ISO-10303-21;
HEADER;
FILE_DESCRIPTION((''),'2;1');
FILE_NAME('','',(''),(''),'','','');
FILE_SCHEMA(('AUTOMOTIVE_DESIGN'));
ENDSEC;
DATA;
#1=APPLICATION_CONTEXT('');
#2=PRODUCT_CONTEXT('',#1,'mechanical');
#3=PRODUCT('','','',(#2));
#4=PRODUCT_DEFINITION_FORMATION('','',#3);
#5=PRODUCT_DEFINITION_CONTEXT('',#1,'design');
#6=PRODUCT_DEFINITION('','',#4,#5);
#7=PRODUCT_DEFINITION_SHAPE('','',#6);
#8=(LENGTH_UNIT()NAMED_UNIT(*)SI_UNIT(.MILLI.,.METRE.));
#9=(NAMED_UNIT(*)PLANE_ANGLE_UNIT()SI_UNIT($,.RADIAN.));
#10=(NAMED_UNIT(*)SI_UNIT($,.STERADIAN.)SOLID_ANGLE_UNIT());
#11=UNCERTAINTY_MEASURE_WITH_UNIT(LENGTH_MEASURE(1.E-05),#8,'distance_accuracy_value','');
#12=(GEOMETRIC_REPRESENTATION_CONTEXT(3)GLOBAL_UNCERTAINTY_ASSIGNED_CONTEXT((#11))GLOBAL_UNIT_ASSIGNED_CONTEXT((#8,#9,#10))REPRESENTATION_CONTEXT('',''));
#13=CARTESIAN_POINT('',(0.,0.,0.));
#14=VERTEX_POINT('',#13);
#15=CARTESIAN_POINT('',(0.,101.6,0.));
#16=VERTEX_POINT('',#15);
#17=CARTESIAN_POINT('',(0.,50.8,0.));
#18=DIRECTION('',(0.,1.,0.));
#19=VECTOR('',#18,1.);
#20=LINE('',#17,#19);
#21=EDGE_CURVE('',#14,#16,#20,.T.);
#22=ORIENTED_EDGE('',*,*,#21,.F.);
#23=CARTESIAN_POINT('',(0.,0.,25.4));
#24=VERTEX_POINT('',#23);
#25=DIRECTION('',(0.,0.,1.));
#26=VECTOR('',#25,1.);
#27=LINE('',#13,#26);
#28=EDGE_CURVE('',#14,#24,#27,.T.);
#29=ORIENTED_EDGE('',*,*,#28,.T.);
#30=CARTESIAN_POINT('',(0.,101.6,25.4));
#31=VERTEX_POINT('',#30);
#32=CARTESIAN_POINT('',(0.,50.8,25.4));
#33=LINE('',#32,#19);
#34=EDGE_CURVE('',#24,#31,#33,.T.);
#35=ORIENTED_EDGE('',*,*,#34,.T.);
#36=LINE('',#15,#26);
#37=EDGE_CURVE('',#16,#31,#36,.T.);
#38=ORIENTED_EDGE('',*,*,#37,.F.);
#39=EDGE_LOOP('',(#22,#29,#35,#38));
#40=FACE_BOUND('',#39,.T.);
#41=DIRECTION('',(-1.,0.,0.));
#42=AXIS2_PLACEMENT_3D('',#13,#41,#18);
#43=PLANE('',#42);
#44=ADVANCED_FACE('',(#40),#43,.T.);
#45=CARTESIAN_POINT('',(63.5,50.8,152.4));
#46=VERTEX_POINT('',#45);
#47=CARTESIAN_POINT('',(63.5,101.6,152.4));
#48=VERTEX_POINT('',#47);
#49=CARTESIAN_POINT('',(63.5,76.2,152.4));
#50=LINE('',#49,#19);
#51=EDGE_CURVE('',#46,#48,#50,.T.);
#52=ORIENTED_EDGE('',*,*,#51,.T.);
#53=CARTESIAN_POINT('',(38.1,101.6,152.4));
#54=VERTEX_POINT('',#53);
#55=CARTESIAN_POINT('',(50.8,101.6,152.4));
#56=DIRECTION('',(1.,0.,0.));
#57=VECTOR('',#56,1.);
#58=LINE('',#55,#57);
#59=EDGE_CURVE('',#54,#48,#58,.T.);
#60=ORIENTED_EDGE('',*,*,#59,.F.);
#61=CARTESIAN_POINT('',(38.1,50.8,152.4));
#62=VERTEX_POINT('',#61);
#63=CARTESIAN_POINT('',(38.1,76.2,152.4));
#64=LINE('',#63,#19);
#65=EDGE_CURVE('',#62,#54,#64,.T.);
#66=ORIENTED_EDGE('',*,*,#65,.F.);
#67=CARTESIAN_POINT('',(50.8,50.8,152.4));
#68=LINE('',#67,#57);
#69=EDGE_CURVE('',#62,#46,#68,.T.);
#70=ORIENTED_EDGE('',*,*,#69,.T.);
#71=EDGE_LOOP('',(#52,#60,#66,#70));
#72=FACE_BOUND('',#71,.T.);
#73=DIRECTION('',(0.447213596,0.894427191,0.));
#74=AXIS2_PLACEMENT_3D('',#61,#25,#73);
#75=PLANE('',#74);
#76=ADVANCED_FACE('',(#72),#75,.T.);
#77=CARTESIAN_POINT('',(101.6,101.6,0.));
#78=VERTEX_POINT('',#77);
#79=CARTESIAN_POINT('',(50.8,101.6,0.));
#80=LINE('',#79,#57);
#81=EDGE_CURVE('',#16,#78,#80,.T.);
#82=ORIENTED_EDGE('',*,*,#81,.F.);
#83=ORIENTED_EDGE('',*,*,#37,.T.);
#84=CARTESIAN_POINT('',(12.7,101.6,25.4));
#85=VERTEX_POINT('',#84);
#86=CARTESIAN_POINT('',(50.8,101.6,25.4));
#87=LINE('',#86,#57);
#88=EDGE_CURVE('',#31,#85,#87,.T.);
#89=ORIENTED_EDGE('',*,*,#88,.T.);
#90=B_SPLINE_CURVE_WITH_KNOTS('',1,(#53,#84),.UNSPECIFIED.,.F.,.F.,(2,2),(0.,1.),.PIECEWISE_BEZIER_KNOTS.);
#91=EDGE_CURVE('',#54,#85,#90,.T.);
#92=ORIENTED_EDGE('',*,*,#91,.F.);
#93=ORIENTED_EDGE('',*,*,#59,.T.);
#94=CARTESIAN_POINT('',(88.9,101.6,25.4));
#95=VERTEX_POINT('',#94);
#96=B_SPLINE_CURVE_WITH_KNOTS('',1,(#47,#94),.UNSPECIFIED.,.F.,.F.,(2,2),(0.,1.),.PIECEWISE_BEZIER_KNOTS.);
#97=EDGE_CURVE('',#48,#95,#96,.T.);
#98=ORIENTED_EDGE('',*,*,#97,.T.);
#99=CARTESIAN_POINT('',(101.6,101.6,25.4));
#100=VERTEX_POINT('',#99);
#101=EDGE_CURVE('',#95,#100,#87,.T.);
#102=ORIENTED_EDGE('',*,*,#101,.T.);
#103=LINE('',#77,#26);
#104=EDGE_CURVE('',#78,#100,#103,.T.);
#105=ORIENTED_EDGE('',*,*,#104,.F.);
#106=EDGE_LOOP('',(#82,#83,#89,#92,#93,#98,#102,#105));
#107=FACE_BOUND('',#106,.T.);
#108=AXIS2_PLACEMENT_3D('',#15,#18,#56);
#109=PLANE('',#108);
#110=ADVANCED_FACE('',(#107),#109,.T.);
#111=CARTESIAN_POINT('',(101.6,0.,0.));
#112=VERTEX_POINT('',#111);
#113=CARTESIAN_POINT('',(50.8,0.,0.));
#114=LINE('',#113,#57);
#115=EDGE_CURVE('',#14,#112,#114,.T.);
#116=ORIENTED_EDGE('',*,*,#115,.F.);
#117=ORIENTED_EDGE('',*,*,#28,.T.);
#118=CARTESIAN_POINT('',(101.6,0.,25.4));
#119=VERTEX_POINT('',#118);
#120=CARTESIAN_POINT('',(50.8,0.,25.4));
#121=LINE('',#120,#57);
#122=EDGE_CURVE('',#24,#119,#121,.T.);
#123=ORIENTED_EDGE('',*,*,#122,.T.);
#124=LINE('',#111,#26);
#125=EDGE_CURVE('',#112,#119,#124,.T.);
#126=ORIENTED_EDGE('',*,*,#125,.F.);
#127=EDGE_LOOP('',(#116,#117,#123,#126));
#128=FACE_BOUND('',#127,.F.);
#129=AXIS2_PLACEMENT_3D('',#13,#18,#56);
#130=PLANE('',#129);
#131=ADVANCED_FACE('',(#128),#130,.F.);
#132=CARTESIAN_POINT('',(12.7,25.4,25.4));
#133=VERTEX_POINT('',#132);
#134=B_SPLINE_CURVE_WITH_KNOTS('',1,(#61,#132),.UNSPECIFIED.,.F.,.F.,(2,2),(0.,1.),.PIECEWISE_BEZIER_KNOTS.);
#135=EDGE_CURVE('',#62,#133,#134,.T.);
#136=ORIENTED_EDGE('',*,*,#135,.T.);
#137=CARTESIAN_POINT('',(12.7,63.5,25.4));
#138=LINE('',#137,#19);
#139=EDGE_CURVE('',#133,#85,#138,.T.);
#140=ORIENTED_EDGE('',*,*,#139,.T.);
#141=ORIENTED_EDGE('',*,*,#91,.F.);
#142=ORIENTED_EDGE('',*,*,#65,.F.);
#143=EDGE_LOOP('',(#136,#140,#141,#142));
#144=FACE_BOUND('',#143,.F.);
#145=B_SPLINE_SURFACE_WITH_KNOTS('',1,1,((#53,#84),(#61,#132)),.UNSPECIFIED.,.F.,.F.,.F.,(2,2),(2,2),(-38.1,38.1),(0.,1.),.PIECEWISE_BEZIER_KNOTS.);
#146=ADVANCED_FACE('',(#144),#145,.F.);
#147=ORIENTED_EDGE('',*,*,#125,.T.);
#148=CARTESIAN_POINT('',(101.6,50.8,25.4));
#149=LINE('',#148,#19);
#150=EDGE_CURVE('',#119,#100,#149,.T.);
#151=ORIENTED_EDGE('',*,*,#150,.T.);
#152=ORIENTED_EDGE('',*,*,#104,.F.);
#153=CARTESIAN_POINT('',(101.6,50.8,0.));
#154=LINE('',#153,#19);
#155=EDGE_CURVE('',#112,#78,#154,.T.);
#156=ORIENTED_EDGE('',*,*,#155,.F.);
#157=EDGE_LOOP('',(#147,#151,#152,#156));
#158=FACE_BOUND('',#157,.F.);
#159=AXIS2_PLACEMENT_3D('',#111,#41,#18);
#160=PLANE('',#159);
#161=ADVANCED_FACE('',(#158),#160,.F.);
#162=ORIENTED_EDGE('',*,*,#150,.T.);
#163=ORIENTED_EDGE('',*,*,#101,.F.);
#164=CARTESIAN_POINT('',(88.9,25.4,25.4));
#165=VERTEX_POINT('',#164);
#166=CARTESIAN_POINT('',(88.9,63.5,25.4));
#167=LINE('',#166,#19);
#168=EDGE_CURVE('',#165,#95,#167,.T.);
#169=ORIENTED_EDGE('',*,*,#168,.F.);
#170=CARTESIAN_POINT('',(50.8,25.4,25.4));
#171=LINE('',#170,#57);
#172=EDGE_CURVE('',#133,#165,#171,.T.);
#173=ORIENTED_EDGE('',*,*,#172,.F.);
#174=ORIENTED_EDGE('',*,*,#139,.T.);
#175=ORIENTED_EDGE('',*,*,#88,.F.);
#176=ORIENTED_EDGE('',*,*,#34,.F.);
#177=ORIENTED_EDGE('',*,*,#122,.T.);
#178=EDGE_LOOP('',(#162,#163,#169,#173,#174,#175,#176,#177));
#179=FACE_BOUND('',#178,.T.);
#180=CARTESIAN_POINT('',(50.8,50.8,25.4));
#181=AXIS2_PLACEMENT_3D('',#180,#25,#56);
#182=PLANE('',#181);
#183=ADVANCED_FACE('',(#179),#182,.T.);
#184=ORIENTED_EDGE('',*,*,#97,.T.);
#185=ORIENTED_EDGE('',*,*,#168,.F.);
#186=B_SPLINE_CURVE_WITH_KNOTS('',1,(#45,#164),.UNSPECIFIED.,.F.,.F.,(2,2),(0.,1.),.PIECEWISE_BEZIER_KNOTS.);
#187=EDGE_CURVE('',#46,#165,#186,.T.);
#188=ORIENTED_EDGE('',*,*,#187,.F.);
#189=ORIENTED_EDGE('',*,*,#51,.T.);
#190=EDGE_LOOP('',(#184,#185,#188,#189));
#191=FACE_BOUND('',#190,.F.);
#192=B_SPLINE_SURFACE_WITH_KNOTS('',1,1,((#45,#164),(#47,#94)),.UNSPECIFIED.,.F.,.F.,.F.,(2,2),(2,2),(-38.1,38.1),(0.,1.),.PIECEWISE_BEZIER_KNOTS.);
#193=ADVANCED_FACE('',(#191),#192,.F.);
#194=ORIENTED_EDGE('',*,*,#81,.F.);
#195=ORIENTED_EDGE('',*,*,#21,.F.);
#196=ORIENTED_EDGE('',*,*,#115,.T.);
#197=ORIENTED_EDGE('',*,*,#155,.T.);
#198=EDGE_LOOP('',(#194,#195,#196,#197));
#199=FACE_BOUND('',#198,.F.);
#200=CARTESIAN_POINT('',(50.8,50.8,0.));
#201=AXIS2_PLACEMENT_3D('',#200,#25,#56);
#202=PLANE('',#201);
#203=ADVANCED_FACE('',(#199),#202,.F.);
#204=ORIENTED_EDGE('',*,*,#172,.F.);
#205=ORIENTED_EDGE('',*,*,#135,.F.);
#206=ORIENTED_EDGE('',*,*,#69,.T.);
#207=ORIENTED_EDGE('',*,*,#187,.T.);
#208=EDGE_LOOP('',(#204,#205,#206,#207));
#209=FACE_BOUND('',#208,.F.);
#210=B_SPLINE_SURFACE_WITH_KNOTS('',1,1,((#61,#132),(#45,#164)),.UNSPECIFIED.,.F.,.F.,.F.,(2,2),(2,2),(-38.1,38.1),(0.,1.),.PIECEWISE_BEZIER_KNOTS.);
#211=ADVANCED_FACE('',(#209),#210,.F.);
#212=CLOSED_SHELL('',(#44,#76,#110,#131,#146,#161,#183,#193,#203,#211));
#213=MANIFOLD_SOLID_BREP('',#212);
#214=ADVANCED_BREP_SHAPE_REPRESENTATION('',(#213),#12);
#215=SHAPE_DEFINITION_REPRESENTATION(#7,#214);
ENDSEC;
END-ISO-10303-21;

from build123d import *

# Parameters (mm, degrees)
F0_W     = 101.6
F0_H     = 101.6
F1_DEPTH = 25.4
F4_W     = 25.4
F4_H     = 50.8
F2_W     = 76.2
F2_H     = 76.2


with BuildPart() as f1:
    # F0 (on Top) → F1 (new body)
    with BuildSketch(Plane.XY):
        with Locations((50.8, 50.8)):
            Rectangle(F0_W, F0_H)
    extrude(amount=F1_DEPTH)

    # F4 (on offset) → F5 section 0
    with BuildSketch(Plane.XY.offset(152.4)):
        with Locations((50.8, 76.2)):
            Rectangle(F4_W, F4_H)
    # F2 (on face) → F5 section 1
    with BuildSketch(Plane.XY.offset(25.4)):
        with Locations((50.8, 63.5)):
            Rectangle(F2_W, F2_H)
    loft()


solid = f1.part
